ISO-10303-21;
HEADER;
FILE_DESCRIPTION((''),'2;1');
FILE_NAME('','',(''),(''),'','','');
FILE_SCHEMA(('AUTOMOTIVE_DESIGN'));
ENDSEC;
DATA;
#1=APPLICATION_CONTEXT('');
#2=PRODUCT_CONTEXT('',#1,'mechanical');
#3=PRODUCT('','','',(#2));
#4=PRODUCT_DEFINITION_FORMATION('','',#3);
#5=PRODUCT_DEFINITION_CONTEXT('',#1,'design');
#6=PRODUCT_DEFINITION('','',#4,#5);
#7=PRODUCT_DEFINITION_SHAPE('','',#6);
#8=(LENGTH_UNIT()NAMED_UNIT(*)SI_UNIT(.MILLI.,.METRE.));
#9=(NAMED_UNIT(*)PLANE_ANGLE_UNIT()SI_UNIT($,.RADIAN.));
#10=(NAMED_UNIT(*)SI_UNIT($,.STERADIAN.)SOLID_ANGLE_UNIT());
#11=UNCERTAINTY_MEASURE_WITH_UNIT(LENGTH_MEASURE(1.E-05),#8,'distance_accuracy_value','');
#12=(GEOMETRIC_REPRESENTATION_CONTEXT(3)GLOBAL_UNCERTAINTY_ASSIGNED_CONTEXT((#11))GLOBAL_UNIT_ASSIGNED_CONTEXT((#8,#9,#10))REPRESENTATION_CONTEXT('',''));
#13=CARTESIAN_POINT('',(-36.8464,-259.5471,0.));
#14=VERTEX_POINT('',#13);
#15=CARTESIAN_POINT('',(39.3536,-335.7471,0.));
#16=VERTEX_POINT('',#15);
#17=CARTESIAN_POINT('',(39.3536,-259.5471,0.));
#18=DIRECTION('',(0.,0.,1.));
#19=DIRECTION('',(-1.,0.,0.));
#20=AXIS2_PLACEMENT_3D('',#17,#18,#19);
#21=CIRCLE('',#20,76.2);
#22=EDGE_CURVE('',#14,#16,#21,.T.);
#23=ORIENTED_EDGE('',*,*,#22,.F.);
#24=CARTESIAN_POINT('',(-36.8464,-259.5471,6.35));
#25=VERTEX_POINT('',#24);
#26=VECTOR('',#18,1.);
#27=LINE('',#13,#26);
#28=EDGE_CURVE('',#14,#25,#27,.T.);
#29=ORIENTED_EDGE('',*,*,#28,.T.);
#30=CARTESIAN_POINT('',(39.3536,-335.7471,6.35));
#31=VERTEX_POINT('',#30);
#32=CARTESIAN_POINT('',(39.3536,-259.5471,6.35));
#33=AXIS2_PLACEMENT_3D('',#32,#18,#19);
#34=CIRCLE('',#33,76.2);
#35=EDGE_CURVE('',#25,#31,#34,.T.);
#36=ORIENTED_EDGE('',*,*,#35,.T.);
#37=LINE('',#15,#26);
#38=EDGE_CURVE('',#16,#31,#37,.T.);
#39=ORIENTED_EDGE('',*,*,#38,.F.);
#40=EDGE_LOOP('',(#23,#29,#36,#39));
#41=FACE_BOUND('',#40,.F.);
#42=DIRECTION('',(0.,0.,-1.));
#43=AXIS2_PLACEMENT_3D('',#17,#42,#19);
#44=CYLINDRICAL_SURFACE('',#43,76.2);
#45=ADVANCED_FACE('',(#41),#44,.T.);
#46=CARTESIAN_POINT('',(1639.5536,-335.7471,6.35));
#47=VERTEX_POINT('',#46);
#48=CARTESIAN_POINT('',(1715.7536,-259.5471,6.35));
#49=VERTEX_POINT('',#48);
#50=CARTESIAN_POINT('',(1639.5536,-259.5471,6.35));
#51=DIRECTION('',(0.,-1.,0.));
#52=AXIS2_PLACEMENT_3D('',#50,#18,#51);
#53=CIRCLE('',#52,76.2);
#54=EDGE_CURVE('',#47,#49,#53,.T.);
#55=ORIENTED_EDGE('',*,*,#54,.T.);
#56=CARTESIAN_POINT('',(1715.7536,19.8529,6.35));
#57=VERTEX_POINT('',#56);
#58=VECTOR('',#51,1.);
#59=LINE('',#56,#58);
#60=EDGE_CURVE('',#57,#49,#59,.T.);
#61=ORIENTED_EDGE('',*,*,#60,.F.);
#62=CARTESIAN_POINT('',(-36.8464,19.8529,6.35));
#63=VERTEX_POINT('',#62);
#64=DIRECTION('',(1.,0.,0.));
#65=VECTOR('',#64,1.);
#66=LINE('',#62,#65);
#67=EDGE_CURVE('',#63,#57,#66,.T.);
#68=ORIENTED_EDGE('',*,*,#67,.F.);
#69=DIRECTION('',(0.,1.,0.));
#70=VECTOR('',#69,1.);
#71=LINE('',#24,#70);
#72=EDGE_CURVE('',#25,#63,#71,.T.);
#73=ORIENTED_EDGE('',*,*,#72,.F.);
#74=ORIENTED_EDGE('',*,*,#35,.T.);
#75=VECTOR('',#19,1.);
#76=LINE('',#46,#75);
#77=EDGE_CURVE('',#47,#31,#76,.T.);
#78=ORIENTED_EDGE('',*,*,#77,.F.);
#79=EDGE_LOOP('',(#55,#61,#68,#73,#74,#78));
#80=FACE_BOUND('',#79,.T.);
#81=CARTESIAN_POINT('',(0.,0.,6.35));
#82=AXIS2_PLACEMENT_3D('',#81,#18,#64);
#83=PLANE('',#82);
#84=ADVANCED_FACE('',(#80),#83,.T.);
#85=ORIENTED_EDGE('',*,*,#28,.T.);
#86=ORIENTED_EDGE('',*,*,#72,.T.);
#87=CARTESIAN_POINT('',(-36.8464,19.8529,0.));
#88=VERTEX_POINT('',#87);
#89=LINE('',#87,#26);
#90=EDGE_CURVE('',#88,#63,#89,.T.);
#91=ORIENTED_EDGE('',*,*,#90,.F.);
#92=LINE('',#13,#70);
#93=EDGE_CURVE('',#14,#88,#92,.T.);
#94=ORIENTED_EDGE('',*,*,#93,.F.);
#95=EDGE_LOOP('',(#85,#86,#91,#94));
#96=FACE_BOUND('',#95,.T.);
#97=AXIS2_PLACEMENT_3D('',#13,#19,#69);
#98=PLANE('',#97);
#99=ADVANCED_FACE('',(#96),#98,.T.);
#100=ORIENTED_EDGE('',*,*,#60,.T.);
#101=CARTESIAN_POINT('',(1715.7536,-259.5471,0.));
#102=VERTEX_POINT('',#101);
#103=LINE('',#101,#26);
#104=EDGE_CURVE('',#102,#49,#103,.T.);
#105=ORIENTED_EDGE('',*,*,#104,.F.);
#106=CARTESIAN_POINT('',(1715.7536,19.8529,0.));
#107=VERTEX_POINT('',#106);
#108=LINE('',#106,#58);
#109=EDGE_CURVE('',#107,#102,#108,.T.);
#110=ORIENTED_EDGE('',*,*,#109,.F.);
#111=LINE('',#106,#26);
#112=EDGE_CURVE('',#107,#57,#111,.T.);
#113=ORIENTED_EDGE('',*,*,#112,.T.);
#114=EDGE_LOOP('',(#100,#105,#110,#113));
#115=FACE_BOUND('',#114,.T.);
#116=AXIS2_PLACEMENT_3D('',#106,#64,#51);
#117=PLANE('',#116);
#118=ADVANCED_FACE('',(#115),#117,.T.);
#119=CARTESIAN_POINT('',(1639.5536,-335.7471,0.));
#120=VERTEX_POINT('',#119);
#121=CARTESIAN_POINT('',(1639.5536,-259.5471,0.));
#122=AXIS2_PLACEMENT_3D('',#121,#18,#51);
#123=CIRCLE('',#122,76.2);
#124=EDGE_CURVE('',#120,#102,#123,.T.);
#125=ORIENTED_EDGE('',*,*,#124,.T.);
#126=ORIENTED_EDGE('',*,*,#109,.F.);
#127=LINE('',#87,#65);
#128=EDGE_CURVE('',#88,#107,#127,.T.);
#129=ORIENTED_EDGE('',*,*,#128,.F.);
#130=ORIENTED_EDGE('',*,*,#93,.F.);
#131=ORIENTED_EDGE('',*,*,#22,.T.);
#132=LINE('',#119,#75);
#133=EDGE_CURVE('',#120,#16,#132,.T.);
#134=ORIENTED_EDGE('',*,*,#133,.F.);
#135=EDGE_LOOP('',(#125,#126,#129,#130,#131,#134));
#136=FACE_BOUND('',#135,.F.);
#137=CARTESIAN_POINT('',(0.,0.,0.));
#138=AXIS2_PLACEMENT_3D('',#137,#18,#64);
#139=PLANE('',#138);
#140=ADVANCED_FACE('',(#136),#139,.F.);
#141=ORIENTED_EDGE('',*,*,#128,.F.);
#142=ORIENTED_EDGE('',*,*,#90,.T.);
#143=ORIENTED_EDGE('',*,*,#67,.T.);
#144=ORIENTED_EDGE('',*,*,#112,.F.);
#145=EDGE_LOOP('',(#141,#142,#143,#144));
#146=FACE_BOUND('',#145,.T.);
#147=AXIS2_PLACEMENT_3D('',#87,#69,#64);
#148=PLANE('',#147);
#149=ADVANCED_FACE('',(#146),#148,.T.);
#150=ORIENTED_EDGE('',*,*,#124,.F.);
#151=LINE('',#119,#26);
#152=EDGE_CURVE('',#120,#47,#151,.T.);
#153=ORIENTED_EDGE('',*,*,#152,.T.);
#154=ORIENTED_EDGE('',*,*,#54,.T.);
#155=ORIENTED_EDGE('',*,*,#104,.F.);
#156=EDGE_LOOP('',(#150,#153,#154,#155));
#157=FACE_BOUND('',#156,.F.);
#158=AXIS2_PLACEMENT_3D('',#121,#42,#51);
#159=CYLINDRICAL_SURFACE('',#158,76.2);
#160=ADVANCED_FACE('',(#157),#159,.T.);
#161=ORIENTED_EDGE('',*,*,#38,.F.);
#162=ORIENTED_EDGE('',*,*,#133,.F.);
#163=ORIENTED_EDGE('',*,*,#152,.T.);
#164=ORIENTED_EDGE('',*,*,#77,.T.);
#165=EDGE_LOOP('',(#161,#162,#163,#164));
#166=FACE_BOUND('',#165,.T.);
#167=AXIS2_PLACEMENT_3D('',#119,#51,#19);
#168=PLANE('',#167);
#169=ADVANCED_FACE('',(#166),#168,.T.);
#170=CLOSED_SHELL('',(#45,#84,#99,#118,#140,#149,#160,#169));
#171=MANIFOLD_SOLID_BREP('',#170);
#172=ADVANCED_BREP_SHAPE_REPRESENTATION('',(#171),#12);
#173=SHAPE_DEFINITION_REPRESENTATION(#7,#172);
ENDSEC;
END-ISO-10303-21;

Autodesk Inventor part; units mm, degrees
ref_plane "YZ Plane" through (0, 0, 0) normal (1, 0, 0) x (0, 1, 0)
ref_plane "XZ Plane" through (0, 0, 0) normal (0, 1, 0) x (-1, 0, 0)
ref_plane "XY Plane" through (0, 0, 0) normal (0, 0, 1) x (1, 0, 0)
sketch "Sketch1" plane through (0, 0, 0) normal (0, 0, 1) x (1, 0, 0)
  line L0 (-36.8464, 19.8529) -> (1715.7536, 19.8529)
  line L1 (1715.7536, 19.8529) -> (1715.7536, -259.5471)
  line L2 (1639.5536, -335.7471) -> (39.3536, -335.7471)
  line L3 (-36.8464, -259.5471) -> (-36.8464, 19.8529)
  arc A0 (-36.8464, -259.5471) -> (39.3536, -335.7471) centre (39.3536, -259.5471) ccw
  arc A1 (1639.5536, -335.7471) -> (1715.7536, -259.5471) centre (1639.5536, -259.5471) ccw
  point P0 (-36.8464, -335.7471)
  dimension "d0" = 1752.6
  dimension "d1" = 355.6
  dimension "d2" = 76.2
extrude "Extrusion1" add sketch "Sketch1" along normal blind 6.35
properties part number "FE-00004-06"
